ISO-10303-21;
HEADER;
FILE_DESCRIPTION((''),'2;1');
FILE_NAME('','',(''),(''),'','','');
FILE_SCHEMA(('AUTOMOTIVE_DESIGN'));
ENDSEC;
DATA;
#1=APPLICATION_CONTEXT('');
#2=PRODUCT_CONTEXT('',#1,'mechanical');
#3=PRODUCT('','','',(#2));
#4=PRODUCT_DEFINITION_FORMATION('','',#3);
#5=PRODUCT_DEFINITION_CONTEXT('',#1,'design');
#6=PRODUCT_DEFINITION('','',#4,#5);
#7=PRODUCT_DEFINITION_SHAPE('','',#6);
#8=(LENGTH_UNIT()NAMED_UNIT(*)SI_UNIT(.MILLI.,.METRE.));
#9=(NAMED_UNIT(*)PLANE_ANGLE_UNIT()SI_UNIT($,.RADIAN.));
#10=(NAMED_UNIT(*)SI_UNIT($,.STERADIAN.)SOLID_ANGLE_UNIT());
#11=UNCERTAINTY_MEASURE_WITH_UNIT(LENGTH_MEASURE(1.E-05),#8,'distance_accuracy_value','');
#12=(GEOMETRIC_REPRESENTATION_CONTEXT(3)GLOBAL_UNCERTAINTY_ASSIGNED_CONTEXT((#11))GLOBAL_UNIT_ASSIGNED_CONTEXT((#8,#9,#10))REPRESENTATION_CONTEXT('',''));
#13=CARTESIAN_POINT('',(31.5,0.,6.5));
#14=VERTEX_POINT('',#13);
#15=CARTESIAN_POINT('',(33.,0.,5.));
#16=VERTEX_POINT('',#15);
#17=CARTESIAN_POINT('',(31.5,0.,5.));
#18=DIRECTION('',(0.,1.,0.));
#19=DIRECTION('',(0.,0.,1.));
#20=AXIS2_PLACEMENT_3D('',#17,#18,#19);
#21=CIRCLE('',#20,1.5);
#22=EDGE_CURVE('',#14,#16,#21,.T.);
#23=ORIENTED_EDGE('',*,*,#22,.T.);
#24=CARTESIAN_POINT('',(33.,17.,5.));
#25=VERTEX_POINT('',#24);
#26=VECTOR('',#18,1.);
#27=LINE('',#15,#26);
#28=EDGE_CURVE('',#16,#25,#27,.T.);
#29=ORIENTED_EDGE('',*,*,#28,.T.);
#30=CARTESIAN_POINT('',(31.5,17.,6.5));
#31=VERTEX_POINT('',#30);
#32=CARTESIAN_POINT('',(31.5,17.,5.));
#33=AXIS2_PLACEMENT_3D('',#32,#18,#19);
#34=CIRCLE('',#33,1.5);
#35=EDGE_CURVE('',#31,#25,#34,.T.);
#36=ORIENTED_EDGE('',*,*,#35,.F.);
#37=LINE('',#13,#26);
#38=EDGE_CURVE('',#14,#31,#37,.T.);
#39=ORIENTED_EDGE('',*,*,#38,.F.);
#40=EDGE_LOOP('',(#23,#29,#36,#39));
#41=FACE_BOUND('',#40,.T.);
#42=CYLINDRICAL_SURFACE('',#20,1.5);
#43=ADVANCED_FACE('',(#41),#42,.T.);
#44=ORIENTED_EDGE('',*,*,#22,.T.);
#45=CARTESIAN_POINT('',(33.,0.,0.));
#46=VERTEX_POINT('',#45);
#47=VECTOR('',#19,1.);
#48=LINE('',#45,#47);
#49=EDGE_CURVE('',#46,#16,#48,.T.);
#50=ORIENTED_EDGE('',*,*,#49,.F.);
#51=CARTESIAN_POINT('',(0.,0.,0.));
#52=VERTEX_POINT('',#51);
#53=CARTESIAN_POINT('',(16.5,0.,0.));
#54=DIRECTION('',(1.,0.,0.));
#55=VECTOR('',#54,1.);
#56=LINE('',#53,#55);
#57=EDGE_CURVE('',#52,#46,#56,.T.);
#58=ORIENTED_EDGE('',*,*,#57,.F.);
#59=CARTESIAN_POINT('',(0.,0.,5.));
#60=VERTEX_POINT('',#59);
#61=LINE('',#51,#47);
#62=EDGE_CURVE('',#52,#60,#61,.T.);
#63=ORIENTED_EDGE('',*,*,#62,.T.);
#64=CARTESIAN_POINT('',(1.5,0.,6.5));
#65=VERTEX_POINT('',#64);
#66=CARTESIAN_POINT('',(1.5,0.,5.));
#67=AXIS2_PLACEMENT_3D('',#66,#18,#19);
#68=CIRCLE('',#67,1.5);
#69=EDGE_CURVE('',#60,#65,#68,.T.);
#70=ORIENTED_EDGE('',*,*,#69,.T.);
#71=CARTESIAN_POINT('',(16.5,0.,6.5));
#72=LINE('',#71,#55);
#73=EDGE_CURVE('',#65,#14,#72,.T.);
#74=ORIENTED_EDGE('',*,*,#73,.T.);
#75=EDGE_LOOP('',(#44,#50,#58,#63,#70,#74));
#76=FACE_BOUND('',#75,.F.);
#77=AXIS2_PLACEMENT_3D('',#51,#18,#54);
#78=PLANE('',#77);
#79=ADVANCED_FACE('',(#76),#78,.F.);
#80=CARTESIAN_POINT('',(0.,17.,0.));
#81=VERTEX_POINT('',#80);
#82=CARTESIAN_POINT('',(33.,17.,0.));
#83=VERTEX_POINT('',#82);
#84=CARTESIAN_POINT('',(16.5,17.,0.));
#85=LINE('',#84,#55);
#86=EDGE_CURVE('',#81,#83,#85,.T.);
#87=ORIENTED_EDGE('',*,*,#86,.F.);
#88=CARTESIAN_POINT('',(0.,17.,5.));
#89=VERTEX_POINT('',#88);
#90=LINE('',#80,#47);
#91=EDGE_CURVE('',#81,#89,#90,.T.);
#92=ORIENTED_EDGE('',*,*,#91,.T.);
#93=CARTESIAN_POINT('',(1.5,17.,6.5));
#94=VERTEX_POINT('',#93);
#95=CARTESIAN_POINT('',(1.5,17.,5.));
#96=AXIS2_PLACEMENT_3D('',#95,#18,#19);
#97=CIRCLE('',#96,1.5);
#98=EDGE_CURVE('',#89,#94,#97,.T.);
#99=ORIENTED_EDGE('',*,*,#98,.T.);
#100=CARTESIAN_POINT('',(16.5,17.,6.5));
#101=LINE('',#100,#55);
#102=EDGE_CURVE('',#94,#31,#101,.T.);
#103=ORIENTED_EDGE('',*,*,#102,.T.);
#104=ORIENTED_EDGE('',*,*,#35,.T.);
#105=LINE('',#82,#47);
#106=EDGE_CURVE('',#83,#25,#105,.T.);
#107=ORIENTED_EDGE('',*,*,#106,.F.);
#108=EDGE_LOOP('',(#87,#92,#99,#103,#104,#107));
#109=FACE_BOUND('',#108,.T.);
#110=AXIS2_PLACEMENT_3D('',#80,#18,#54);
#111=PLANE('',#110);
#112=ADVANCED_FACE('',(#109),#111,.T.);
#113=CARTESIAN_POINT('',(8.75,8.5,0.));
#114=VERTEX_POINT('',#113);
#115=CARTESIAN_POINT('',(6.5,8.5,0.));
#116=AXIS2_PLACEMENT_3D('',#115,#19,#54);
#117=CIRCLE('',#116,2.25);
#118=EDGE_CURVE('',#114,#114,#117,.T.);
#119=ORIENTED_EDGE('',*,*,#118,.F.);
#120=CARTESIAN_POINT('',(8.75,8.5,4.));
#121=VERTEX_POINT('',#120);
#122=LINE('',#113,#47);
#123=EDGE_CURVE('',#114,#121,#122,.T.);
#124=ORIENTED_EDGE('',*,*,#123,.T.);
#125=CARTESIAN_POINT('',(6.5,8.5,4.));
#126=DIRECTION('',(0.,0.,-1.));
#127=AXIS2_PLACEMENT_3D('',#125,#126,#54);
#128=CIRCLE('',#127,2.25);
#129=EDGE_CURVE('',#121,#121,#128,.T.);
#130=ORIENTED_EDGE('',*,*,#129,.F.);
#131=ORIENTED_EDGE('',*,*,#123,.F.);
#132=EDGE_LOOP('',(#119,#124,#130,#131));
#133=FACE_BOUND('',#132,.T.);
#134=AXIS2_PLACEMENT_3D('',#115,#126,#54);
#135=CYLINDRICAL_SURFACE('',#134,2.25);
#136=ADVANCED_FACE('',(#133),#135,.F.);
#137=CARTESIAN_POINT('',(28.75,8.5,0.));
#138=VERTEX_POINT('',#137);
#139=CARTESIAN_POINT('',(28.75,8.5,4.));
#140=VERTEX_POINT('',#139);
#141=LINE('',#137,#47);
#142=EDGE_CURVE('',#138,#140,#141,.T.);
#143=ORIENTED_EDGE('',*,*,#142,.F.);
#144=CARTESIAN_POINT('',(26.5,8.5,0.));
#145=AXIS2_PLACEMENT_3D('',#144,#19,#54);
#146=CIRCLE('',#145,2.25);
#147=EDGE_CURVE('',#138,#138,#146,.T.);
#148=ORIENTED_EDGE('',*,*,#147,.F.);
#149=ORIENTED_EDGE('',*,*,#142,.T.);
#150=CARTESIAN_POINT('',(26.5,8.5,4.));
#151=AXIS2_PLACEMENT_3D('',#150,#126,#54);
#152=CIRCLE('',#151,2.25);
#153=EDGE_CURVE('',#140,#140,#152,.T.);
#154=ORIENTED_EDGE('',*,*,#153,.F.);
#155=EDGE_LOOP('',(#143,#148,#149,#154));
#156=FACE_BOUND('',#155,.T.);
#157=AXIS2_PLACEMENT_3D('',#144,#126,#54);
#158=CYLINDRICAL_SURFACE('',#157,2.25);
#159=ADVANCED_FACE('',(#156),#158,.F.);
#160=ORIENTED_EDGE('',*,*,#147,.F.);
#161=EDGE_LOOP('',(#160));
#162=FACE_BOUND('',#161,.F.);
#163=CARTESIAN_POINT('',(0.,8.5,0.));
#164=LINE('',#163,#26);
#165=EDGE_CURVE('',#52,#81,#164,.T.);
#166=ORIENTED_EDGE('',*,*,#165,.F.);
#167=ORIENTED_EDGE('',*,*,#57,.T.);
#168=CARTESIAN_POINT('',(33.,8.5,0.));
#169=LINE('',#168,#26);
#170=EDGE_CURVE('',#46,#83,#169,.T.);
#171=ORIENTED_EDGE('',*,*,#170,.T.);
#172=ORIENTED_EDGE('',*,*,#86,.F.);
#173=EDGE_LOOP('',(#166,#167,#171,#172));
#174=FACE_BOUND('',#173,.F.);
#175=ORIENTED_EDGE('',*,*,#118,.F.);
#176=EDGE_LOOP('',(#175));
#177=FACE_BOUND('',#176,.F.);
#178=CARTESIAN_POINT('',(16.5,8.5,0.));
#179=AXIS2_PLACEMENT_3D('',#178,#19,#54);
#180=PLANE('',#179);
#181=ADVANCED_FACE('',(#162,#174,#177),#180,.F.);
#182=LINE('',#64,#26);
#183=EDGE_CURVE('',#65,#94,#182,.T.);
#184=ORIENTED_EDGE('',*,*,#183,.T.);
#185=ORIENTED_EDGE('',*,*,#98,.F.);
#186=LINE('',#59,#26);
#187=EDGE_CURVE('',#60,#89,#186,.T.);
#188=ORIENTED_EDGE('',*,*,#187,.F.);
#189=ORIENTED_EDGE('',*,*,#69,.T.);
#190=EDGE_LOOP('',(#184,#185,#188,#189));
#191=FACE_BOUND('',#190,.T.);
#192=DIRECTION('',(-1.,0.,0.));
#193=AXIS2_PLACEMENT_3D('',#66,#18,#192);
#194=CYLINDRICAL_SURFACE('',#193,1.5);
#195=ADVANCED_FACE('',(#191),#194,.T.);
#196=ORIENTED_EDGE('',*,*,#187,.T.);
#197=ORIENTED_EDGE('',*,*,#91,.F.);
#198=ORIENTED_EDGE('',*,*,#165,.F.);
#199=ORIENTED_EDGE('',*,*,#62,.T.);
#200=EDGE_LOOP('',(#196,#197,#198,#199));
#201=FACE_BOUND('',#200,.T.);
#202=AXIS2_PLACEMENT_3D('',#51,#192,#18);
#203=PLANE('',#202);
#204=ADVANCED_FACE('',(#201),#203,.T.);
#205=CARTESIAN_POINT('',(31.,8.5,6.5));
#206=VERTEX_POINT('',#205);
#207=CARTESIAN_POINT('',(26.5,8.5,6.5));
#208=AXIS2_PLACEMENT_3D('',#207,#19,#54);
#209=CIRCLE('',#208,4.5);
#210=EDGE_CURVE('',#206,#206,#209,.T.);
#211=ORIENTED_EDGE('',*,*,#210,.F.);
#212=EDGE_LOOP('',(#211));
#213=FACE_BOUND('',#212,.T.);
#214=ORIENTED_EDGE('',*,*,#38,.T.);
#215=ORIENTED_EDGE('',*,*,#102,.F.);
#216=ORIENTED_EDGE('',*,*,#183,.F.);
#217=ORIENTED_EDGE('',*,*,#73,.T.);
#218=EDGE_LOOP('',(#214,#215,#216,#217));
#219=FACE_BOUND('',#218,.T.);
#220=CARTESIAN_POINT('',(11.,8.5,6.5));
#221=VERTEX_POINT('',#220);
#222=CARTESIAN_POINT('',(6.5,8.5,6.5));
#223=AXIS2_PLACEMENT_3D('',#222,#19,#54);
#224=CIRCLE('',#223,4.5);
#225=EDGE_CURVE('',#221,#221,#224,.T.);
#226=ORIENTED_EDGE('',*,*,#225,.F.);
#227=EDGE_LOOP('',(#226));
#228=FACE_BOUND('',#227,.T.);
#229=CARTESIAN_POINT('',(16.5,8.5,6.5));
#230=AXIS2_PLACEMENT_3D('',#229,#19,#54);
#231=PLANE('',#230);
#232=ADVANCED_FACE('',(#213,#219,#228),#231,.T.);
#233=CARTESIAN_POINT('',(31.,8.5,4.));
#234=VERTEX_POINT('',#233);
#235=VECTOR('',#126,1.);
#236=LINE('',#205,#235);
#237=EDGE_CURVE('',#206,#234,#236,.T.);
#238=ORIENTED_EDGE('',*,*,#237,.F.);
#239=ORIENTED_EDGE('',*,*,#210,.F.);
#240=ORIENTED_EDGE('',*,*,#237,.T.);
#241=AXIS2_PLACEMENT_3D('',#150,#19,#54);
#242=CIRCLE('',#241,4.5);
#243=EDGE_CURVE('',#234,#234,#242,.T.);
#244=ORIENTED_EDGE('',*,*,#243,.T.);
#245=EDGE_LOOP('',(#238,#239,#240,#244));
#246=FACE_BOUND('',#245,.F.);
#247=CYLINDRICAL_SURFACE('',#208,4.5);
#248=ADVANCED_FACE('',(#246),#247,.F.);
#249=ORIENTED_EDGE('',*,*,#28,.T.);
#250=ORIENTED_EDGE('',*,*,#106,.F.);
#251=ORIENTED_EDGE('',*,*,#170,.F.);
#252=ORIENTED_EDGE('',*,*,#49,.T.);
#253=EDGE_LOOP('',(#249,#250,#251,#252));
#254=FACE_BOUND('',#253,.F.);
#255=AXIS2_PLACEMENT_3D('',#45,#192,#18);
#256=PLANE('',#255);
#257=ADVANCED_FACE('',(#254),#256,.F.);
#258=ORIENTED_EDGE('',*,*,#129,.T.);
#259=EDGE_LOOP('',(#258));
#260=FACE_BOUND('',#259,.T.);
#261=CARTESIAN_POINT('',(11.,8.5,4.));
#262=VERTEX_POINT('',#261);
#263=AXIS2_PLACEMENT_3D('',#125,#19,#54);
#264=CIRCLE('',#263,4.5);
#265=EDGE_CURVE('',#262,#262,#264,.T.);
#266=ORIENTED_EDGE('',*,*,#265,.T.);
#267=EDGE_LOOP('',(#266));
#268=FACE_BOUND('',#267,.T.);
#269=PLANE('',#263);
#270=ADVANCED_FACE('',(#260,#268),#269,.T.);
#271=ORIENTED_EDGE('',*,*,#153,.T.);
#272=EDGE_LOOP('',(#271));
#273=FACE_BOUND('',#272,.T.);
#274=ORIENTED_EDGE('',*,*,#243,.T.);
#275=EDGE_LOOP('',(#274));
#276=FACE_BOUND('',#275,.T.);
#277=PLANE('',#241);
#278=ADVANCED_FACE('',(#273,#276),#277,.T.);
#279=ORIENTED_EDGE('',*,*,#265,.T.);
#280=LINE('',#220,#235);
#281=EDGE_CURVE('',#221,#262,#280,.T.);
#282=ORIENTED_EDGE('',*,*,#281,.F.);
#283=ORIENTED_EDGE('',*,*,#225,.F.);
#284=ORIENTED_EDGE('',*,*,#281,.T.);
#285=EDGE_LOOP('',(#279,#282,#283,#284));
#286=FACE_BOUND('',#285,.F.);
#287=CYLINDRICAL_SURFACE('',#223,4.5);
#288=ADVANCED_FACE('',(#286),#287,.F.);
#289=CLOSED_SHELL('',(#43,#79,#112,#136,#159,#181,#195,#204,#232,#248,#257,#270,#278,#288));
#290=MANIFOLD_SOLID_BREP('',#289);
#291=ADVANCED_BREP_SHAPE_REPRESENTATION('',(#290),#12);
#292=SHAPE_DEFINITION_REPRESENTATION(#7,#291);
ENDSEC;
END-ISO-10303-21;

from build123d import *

# Parameters (mm, degrees)
SKETCH_W     = 33
SKETCH_H     = 17
SKETCH_R     = 2.25
PAD_DEPTH    = 6.5
SKETCH001_R  = 4.5
POCKET_DEPTH = 2.5
FILLET_R     = 1.5


with BuildPart() as part:
    # Sketch → Pad (new body)
    with BuildSketch(Plane.XY):
        with Locations((16.5, 8.5)):
            Rectangle(SKETCH_W, SKETCH_H)
        with Locations((6.5, 8.5)):
            Circle(SKETCH_R, mode=Mode.SUBTRACT)
        with Locations((26.5, 8.5)):
            Circle(SKETCH_R, mode=Mode.SUBTRACT)
    extrude(amount=PAD_DEPTH)

    # Sketch001 (on Face8 of Pad) → Pocket (cut)
    with BuildSketch(Plane.XY.offset(6.5)):
        with Locations((6.5, 8.5)):
            Circle(SKETCH001_R)
        with Locations((26.5, 8.5)):
            Circle(SKETCH001_R)
    extrude(amount=-POCKET_DEPTH, mode=Mode.SUBTRACT)

    # Fillet
    fillet_edges = [part.edges().sort_by_distance(p)[0] for p in [
        (33, 8.5, 6.5),
        (0, 8.5, 6.5),
    ]]
    fillet(fillet_edges, radius=FILLET_R)


solid = part.part
